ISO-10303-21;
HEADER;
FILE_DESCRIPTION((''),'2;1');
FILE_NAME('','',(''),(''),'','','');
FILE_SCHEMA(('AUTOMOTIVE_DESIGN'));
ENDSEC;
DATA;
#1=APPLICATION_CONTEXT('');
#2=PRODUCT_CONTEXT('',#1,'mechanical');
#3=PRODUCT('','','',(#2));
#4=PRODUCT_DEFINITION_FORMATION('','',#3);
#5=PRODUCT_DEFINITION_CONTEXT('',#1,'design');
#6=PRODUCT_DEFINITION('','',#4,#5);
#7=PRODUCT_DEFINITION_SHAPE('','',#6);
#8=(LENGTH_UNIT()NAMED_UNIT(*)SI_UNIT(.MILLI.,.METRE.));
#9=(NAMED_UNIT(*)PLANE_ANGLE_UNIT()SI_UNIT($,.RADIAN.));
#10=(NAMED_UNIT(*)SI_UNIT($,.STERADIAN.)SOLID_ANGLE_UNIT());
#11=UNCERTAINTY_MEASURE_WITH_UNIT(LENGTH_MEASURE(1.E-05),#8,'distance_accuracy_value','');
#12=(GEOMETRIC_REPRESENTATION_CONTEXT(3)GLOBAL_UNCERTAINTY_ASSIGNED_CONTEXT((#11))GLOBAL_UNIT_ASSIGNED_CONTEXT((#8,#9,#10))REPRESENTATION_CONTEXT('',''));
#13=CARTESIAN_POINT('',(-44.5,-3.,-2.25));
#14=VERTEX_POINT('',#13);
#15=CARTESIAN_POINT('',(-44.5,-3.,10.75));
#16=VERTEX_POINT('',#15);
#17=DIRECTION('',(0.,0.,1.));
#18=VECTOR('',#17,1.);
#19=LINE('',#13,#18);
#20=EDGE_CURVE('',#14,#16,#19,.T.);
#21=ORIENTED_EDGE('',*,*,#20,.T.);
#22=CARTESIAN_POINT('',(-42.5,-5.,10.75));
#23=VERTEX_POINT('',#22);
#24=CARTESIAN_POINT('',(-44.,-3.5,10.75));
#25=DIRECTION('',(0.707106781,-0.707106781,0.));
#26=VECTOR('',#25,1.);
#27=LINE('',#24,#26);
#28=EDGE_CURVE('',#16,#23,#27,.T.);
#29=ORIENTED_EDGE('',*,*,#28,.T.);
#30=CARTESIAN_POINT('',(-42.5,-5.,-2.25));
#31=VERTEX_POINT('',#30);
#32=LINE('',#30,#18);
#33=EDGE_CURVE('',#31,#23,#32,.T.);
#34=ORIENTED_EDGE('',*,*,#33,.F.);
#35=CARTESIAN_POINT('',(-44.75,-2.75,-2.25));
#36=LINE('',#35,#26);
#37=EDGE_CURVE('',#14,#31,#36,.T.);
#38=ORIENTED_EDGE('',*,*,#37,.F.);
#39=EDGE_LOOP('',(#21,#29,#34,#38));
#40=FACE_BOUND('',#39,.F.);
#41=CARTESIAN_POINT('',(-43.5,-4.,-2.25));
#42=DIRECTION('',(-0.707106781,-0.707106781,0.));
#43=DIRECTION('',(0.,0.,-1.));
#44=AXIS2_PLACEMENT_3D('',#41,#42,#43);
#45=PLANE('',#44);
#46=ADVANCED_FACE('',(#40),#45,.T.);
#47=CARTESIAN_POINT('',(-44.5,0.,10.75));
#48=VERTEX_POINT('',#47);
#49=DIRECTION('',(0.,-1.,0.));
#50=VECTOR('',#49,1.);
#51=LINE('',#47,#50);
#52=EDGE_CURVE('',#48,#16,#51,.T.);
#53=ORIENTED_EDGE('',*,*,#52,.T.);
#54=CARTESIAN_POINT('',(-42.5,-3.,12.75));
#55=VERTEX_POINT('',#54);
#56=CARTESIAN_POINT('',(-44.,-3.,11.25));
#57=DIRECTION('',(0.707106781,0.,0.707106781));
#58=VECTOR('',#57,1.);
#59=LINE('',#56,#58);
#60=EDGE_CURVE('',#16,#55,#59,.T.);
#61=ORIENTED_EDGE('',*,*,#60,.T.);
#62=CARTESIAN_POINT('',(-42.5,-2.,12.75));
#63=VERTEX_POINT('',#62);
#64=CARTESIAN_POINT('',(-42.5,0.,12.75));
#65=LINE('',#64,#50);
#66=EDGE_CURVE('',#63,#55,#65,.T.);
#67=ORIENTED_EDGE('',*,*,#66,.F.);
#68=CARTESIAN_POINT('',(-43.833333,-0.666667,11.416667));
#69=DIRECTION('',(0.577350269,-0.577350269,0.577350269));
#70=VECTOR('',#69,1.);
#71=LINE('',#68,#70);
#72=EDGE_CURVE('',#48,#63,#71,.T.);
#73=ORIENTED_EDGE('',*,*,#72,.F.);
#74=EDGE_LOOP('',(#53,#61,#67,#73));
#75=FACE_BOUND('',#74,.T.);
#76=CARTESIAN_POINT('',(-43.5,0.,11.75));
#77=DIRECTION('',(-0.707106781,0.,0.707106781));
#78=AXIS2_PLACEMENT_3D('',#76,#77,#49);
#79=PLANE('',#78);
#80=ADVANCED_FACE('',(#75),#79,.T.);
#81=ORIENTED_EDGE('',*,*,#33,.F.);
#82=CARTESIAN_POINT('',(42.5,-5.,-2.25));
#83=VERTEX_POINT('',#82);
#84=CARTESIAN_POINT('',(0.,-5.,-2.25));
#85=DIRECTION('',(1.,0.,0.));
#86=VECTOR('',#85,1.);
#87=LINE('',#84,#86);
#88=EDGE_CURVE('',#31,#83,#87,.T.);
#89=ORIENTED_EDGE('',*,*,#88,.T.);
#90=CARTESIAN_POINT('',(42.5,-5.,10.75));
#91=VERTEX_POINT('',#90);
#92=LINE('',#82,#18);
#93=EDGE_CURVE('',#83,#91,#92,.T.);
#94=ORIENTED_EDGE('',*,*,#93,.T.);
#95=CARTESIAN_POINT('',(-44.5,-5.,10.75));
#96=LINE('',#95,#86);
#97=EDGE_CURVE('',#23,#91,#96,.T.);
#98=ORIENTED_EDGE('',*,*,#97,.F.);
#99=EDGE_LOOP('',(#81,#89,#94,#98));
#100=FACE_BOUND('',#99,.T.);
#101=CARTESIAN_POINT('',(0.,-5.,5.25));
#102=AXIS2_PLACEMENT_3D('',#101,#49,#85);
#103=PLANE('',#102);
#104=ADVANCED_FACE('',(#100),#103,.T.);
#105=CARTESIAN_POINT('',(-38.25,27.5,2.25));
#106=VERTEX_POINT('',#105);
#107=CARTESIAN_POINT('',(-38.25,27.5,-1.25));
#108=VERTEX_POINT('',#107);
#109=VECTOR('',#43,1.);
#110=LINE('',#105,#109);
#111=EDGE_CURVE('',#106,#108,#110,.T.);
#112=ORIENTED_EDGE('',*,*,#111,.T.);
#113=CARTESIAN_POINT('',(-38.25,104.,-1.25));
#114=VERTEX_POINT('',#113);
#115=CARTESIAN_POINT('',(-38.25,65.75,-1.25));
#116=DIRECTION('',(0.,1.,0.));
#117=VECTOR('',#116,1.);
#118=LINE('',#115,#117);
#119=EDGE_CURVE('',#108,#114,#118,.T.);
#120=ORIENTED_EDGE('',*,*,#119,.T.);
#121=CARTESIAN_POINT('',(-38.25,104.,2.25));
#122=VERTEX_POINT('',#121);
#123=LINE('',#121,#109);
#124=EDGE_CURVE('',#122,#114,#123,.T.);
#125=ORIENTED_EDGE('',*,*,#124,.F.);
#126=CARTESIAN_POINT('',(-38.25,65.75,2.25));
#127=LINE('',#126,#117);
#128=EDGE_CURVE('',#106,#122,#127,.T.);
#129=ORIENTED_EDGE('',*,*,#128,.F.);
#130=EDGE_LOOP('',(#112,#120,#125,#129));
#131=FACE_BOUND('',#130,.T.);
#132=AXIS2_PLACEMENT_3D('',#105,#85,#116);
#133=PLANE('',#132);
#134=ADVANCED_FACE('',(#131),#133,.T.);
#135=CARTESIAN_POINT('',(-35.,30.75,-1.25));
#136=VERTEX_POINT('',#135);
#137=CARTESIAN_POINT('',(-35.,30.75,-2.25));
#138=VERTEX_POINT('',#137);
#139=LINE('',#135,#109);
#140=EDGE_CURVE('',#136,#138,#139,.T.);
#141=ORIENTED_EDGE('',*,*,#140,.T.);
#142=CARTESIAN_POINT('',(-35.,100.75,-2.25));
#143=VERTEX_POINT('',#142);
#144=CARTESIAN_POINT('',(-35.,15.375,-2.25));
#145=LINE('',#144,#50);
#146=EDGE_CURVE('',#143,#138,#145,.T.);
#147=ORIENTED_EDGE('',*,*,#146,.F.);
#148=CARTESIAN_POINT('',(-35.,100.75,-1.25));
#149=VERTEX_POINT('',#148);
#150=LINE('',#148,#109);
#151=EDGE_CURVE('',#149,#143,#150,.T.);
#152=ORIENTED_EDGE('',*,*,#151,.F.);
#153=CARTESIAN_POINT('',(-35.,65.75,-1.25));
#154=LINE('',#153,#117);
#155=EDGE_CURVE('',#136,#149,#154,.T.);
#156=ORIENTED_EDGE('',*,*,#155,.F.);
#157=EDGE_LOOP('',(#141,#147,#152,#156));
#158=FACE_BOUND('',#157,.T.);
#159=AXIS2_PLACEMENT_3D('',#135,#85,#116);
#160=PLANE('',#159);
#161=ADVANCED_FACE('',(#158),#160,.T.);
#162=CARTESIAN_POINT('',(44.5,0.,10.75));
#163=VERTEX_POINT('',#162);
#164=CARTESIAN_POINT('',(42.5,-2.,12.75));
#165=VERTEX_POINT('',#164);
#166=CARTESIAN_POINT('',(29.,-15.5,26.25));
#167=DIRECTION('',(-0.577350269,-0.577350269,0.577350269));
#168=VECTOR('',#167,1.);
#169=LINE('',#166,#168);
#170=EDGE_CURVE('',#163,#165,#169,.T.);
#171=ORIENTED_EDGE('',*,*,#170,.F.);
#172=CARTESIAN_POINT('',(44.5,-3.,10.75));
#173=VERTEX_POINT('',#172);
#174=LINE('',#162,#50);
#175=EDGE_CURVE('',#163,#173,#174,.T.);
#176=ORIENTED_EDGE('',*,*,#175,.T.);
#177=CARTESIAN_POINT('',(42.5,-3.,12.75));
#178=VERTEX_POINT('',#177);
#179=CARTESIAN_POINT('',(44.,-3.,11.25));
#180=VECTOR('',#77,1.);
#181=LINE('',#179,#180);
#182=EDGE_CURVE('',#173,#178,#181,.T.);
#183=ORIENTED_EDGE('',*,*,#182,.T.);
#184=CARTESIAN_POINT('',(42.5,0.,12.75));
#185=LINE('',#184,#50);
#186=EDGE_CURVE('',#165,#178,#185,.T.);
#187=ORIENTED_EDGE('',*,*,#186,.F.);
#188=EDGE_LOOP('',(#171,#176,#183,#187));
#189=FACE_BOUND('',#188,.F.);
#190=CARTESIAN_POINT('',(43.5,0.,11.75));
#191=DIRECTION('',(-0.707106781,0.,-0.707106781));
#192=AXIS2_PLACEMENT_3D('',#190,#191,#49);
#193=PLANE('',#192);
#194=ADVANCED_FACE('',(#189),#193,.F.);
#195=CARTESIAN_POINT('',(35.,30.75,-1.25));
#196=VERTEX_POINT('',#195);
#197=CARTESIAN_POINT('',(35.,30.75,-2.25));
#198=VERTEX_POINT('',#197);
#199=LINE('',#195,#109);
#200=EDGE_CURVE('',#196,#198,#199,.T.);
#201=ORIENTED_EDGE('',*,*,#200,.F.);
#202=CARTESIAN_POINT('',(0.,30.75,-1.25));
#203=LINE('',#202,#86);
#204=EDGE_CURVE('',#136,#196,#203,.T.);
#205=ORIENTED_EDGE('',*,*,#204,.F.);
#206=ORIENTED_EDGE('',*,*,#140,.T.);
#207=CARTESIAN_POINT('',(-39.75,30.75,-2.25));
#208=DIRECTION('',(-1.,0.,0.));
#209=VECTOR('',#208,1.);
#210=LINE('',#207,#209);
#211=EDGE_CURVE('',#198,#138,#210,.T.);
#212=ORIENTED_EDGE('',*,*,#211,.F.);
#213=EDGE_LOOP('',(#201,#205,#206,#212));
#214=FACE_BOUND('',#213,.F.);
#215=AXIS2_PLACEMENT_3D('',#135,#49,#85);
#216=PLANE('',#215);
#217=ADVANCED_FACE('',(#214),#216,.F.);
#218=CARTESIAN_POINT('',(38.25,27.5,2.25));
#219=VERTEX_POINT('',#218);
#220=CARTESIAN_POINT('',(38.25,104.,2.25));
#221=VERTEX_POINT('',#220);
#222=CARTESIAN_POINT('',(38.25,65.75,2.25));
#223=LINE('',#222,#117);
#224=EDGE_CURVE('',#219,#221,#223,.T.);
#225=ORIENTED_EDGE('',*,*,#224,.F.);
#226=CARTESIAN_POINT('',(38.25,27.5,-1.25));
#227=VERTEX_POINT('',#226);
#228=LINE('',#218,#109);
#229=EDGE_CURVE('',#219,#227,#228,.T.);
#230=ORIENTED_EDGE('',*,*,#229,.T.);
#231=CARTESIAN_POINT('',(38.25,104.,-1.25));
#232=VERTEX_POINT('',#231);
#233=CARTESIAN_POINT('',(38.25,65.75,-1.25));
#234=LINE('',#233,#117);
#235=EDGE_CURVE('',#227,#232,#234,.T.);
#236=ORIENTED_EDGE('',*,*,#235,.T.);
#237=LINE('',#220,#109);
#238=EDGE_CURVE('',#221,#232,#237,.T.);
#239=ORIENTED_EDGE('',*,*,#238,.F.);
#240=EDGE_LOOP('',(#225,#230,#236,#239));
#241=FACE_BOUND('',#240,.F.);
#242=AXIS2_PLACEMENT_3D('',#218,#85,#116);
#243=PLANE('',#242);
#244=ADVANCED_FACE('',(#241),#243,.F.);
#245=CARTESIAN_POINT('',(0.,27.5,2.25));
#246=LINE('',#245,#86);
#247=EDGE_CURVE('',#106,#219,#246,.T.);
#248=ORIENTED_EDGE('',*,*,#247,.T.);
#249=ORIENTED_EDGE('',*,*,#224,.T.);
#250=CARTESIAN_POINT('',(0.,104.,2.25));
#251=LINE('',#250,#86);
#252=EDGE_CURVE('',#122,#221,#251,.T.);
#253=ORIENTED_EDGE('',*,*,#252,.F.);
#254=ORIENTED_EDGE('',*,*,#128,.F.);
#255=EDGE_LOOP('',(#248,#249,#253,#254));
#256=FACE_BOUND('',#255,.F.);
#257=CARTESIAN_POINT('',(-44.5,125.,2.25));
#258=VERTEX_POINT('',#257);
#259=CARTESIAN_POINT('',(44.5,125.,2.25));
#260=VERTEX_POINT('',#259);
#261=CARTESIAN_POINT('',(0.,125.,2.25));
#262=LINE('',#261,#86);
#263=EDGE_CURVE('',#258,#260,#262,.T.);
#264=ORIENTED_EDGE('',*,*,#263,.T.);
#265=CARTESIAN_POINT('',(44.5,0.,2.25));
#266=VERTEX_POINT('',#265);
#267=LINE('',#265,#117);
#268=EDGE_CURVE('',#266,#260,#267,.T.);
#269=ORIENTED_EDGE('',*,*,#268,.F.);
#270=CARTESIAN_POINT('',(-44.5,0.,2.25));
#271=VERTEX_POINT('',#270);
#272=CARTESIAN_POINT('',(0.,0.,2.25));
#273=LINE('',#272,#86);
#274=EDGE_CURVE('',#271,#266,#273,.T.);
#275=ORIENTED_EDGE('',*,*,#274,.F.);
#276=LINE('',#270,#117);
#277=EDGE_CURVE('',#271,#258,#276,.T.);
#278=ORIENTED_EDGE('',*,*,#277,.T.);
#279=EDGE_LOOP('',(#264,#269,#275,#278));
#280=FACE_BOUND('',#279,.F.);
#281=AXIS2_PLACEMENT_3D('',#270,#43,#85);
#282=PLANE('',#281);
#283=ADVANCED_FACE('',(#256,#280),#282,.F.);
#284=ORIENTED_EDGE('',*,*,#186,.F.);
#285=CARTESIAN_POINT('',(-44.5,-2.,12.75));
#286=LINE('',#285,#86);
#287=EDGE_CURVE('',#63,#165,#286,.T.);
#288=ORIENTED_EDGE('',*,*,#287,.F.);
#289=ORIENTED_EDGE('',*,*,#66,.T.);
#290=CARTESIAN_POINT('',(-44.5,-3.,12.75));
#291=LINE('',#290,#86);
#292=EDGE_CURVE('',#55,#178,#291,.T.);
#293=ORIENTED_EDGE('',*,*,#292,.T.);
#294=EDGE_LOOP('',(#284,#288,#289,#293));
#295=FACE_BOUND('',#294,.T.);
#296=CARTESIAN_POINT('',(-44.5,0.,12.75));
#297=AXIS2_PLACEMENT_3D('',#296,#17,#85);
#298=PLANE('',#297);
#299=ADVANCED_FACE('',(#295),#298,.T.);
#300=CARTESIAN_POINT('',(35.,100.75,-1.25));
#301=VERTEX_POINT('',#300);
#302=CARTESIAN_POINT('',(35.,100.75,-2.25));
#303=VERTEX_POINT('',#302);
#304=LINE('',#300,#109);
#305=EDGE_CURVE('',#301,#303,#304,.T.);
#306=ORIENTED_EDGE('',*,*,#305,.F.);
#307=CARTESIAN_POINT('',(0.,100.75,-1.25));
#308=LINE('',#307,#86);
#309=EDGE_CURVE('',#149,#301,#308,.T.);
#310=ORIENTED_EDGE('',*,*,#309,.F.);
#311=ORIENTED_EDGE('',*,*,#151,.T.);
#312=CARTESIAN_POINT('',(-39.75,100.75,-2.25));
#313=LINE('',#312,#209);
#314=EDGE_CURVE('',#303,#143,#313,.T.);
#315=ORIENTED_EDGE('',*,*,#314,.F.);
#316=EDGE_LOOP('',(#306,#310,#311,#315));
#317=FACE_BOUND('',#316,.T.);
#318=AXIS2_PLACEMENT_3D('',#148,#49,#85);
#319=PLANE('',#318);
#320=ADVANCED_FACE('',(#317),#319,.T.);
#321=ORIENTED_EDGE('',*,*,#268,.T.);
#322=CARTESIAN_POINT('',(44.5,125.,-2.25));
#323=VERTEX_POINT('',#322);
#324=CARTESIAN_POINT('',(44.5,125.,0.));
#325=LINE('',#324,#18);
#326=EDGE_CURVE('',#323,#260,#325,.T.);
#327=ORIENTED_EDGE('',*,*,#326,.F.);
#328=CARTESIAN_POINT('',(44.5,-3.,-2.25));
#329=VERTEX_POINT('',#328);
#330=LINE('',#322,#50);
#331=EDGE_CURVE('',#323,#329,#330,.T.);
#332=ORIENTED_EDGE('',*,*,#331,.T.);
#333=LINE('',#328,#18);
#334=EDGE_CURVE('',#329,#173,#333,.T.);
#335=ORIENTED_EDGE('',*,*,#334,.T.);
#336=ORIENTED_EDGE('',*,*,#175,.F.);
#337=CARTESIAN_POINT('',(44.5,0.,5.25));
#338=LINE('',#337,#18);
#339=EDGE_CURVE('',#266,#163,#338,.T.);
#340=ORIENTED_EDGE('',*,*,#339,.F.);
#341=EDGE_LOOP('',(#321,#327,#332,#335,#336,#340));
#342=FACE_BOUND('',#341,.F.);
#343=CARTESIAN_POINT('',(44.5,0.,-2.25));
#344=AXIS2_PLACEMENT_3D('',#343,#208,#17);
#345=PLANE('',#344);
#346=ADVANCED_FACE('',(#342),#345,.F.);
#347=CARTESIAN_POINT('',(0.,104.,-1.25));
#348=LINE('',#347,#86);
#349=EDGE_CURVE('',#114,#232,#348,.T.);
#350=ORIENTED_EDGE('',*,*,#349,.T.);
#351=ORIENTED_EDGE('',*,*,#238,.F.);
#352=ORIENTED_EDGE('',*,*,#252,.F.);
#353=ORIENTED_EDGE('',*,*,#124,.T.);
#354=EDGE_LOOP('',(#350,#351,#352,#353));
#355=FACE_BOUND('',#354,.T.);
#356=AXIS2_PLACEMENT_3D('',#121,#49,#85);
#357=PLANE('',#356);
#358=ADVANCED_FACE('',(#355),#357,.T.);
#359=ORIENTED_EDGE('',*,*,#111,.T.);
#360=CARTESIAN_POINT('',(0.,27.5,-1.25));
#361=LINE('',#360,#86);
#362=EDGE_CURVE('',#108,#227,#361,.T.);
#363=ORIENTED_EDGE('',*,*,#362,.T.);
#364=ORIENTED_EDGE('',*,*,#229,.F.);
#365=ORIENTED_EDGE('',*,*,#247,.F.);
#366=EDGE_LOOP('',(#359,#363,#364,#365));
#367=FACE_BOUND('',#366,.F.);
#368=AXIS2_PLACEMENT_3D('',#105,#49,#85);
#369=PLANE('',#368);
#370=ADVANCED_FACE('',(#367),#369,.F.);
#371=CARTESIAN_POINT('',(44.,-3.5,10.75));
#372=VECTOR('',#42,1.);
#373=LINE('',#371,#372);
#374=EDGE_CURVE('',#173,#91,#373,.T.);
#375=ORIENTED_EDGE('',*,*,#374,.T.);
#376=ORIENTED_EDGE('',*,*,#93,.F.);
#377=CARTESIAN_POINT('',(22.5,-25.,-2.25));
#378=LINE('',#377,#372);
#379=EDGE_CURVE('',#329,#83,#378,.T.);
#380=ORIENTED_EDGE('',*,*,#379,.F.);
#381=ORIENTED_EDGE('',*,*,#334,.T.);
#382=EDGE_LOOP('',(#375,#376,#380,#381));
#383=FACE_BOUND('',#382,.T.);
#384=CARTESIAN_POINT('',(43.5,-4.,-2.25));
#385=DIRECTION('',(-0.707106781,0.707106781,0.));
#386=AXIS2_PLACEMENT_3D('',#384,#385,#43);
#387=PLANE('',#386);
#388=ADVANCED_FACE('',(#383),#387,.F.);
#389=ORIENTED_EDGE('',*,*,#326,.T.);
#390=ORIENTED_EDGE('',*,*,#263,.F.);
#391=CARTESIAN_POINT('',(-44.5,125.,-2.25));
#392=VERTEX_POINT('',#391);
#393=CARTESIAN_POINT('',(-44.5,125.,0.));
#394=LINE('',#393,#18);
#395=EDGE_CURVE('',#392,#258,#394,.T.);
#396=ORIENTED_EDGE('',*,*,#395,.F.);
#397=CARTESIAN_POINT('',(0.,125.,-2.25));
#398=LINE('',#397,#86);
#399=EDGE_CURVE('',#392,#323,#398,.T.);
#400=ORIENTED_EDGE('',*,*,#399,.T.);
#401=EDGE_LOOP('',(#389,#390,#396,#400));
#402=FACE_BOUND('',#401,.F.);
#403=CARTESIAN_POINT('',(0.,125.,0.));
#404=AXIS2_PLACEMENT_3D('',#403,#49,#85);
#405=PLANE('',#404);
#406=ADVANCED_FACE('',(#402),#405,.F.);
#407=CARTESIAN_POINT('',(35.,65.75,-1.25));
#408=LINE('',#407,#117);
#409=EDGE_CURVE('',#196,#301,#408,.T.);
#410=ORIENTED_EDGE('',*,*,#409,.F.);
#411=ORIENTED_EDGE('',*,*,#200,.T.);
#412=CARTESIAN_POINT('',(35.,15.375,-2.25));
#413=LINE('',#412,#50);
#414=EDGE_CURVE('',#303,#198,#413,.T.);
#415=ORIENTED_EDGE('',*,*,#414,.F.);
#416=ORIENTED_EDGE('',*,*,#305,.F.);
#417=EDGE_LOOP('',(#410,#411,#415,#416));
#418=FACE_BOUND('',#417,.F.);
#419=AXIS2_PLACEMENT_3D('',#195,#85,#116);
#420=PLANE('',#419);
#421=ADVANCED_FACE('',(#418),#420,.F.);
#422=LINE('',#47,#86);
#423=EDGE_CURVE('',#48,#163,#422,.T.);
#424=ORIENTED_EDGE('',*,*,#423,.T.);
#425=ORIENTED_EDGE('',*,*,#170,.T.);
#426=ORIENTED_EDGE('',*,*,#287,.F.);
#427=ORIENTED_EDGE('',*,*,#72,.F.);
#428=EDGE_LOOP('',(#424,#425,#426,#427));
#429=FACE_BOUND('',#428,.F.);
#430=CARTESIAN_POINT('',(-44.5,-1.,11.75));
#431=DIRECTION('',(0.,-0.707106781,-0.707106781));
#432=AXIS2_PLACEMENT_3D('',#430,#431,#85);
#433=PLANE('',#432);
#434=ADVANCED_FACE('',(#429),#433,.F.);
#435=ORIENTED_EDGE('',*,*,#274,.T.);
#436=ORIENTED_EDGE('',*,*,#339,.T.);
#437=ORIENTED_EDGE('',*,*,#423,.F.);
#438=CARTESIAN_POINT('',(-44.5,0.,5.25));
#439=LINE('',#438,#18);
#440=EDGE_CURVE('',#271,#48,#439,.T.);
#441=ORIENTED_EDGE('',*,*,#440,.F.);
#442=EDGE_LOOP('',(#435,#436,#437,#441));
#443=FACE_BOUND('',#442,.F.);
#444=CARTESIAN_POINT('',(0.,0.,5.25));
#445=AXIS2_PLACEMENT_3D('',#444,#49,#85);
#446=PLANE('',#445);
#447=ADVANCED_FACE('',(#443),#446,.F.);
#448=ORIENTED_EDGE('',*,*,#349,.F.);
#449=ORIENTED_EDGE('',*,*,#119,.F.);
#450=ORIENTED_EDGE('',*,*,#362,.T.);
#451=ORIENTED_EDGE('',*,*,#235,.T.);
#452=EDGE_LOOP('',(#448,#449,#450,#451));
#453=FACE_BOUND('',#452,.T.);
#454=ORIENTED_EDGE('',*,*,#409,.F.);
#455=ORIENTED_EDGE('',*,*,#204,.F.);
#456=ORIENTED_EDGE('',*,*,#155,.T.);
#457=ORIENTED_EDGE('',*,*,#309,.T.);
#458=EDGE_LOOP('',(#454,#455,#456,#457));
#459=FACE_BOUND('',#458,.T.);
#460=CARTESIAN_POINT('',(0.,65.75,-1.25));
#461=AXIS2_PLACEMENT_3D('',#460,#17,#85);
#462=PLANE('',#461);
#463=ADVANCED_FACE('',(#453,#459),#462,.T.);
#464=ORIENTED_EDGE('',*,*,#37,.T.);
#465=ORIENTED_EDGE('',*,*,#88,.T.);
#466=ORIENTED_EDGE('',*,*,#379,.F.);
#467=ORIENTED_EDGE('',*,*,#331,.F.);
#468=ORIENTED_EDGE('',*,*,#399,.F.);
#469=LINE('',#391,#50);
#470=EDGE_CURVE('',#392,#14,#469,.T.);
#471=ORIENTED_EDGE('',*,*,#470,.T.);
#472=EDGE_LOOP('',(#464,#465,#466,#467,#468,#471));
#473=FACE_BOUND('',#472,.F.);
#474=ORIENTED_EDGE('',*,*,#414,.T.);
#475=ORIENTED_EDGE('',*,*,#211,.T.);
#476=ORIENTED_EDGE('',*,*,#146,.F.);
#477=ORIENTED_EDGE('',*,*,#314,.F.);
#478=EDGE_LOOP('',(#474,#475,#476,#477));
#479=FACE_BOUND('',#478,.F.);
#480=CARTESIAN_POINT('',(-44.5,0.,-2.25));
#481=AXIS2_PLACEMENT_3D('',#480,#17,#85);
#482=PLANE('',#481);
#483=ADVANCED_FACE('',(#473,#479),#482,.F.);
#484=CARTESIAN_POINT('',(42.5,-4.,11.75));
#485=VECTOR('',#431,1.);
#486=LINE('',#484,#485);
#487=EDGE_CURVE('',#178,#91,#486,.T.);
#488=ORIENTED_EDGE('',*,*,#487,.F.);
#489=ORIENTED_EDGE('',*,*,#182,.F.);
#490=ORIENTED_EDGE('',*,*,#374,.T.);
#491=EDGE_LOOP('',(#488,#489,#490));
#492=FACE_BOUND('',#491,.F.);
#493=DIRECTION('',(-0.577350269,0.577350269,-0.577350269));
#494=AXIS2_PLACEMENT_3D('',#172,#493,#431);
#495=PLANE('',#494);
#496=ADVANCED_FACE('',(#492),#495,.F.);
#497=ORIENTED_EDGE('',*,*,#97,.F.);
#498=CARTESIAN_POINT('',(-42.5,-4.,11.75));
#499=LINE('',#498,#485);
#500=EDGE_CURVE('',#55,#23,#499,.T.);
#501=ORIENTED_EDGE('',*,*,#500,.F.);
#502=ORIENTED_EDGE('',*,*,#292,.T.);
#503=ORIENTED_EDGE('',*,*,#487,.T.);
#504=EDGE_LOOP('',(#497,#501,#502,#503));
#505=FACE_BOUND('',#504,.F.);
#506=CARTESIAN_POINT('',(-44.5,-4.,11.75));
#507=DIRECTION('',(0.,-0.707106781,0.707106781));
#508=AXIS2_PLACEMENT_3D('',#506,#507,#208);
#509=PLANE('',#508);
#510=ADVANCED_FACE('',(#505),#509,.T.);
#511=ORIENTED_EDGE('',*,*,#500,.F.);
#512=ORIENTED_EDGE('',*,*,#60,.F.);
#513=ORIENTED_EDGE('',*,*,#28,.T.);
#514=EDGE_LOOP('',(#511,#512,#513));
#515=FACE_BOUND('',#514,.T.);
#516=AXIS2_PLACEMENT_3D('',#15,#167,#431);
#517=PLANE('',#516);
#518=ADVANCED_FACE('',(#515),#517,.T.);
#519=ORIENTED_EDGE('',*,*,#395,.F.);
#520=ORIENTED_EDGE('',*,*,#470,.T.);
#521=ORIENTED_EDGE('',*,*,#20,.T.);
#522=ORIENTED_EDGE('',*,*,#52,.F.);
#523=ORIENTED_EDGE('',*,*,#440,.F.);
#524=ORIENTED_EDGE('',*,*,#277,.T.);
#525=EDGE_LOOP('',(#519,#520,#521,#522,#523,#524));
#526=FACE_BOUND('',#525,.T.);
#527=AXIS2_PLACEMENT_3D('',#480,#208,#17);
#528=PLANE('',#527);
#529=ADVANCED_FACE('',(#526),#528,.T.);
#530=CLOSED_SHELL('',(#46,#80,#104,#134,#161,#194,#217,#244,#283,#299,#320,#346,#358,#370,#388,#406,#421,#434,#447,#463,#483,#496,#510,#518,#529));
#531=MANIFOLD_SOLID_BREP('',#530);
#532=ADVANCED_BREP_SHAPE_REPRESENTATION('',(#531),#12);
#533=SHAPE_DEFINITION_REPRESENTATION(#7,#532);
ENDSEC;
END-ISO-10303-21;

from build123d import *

# Parameters (mm, degrees)
SKETCH_W             = 89
SKETCH_H             = 4.5
PAD_DEPTH            = 125
SKETCH001_W          = 76.5
SKETCH001_H          = 76.5
POCKET_DEPTH         = 3.5
SKETCH002_W          = 70
SKETCH002_H          = 70
POCKET001_DEPTH      = 1.001
POCKET001_DEPTH_BACK = 3.501
SKETCH003_W          = 89
SKETCH003_H          = 15
PAD001_DEPTH         = 5
CHAMFER_SIZE         = 2


with BuildPart() as part:
    # Sketch → Pad (new body)
    with BuildSketch(Plane.XZ):
        Rectangle(SKETCH_W, SKETCH_H)
    extrude(amount=-PAD_DEPTH)

    # Sketch001 (on Face2 of Pad) → Pocket (cut)
    with BuildSketch(Plane.XY.offset(2.25)):
        with Locations((0, 65.75)):
            Rectangle(SKETCH001_W, SKETCH001_H)
    extrude(amount=-POCKET_DEPTH, mode=Mode.SUBTRACT)

    # Sketch002 (on Face11 of Pocket) → Pocket001 (cut, two sides)
    with BuildSketch(Plane.XY.offset(-1.25)) as pocket001_sk:
        with Locations((0, 65.75)):
            Rectangle(SKETCH002_W, SKETCH002_H)
    extrude(amount=-POCKET001_DEPTH, mode=Mode.SUBTRACT)
    extrude(pocket001_sk.sketch, amount=POCKET001_DEPTH_BACK, mode=Mode.SUBTRACT)

    # Sketch003 (on Face4 of Pocket001) → Pad001 (join)
    with BuildSketch(Plane.XZ):
        with Locations((0, 5.25)):
            Rectangle(SKETCH003_W, SKETCH003_H)
    extrude(amount=PAD001_DEPTH)

    # Chamfer
    chamfer_edges = [part.edges().sort_by_distance(p)[0] for p in [
        (0, -5, 12.75),
        (44.5, -2.5, 12.75),
        (0, 0, 12.75),
        (-44.5, -2.5, 12.75),
        (-44.5, -5, 5.25),
        (44.5, -5, 5.25),
    ]]
    chamfer(chamfer_edges, length=CHAMFER_SIZE)


solid = part.part
